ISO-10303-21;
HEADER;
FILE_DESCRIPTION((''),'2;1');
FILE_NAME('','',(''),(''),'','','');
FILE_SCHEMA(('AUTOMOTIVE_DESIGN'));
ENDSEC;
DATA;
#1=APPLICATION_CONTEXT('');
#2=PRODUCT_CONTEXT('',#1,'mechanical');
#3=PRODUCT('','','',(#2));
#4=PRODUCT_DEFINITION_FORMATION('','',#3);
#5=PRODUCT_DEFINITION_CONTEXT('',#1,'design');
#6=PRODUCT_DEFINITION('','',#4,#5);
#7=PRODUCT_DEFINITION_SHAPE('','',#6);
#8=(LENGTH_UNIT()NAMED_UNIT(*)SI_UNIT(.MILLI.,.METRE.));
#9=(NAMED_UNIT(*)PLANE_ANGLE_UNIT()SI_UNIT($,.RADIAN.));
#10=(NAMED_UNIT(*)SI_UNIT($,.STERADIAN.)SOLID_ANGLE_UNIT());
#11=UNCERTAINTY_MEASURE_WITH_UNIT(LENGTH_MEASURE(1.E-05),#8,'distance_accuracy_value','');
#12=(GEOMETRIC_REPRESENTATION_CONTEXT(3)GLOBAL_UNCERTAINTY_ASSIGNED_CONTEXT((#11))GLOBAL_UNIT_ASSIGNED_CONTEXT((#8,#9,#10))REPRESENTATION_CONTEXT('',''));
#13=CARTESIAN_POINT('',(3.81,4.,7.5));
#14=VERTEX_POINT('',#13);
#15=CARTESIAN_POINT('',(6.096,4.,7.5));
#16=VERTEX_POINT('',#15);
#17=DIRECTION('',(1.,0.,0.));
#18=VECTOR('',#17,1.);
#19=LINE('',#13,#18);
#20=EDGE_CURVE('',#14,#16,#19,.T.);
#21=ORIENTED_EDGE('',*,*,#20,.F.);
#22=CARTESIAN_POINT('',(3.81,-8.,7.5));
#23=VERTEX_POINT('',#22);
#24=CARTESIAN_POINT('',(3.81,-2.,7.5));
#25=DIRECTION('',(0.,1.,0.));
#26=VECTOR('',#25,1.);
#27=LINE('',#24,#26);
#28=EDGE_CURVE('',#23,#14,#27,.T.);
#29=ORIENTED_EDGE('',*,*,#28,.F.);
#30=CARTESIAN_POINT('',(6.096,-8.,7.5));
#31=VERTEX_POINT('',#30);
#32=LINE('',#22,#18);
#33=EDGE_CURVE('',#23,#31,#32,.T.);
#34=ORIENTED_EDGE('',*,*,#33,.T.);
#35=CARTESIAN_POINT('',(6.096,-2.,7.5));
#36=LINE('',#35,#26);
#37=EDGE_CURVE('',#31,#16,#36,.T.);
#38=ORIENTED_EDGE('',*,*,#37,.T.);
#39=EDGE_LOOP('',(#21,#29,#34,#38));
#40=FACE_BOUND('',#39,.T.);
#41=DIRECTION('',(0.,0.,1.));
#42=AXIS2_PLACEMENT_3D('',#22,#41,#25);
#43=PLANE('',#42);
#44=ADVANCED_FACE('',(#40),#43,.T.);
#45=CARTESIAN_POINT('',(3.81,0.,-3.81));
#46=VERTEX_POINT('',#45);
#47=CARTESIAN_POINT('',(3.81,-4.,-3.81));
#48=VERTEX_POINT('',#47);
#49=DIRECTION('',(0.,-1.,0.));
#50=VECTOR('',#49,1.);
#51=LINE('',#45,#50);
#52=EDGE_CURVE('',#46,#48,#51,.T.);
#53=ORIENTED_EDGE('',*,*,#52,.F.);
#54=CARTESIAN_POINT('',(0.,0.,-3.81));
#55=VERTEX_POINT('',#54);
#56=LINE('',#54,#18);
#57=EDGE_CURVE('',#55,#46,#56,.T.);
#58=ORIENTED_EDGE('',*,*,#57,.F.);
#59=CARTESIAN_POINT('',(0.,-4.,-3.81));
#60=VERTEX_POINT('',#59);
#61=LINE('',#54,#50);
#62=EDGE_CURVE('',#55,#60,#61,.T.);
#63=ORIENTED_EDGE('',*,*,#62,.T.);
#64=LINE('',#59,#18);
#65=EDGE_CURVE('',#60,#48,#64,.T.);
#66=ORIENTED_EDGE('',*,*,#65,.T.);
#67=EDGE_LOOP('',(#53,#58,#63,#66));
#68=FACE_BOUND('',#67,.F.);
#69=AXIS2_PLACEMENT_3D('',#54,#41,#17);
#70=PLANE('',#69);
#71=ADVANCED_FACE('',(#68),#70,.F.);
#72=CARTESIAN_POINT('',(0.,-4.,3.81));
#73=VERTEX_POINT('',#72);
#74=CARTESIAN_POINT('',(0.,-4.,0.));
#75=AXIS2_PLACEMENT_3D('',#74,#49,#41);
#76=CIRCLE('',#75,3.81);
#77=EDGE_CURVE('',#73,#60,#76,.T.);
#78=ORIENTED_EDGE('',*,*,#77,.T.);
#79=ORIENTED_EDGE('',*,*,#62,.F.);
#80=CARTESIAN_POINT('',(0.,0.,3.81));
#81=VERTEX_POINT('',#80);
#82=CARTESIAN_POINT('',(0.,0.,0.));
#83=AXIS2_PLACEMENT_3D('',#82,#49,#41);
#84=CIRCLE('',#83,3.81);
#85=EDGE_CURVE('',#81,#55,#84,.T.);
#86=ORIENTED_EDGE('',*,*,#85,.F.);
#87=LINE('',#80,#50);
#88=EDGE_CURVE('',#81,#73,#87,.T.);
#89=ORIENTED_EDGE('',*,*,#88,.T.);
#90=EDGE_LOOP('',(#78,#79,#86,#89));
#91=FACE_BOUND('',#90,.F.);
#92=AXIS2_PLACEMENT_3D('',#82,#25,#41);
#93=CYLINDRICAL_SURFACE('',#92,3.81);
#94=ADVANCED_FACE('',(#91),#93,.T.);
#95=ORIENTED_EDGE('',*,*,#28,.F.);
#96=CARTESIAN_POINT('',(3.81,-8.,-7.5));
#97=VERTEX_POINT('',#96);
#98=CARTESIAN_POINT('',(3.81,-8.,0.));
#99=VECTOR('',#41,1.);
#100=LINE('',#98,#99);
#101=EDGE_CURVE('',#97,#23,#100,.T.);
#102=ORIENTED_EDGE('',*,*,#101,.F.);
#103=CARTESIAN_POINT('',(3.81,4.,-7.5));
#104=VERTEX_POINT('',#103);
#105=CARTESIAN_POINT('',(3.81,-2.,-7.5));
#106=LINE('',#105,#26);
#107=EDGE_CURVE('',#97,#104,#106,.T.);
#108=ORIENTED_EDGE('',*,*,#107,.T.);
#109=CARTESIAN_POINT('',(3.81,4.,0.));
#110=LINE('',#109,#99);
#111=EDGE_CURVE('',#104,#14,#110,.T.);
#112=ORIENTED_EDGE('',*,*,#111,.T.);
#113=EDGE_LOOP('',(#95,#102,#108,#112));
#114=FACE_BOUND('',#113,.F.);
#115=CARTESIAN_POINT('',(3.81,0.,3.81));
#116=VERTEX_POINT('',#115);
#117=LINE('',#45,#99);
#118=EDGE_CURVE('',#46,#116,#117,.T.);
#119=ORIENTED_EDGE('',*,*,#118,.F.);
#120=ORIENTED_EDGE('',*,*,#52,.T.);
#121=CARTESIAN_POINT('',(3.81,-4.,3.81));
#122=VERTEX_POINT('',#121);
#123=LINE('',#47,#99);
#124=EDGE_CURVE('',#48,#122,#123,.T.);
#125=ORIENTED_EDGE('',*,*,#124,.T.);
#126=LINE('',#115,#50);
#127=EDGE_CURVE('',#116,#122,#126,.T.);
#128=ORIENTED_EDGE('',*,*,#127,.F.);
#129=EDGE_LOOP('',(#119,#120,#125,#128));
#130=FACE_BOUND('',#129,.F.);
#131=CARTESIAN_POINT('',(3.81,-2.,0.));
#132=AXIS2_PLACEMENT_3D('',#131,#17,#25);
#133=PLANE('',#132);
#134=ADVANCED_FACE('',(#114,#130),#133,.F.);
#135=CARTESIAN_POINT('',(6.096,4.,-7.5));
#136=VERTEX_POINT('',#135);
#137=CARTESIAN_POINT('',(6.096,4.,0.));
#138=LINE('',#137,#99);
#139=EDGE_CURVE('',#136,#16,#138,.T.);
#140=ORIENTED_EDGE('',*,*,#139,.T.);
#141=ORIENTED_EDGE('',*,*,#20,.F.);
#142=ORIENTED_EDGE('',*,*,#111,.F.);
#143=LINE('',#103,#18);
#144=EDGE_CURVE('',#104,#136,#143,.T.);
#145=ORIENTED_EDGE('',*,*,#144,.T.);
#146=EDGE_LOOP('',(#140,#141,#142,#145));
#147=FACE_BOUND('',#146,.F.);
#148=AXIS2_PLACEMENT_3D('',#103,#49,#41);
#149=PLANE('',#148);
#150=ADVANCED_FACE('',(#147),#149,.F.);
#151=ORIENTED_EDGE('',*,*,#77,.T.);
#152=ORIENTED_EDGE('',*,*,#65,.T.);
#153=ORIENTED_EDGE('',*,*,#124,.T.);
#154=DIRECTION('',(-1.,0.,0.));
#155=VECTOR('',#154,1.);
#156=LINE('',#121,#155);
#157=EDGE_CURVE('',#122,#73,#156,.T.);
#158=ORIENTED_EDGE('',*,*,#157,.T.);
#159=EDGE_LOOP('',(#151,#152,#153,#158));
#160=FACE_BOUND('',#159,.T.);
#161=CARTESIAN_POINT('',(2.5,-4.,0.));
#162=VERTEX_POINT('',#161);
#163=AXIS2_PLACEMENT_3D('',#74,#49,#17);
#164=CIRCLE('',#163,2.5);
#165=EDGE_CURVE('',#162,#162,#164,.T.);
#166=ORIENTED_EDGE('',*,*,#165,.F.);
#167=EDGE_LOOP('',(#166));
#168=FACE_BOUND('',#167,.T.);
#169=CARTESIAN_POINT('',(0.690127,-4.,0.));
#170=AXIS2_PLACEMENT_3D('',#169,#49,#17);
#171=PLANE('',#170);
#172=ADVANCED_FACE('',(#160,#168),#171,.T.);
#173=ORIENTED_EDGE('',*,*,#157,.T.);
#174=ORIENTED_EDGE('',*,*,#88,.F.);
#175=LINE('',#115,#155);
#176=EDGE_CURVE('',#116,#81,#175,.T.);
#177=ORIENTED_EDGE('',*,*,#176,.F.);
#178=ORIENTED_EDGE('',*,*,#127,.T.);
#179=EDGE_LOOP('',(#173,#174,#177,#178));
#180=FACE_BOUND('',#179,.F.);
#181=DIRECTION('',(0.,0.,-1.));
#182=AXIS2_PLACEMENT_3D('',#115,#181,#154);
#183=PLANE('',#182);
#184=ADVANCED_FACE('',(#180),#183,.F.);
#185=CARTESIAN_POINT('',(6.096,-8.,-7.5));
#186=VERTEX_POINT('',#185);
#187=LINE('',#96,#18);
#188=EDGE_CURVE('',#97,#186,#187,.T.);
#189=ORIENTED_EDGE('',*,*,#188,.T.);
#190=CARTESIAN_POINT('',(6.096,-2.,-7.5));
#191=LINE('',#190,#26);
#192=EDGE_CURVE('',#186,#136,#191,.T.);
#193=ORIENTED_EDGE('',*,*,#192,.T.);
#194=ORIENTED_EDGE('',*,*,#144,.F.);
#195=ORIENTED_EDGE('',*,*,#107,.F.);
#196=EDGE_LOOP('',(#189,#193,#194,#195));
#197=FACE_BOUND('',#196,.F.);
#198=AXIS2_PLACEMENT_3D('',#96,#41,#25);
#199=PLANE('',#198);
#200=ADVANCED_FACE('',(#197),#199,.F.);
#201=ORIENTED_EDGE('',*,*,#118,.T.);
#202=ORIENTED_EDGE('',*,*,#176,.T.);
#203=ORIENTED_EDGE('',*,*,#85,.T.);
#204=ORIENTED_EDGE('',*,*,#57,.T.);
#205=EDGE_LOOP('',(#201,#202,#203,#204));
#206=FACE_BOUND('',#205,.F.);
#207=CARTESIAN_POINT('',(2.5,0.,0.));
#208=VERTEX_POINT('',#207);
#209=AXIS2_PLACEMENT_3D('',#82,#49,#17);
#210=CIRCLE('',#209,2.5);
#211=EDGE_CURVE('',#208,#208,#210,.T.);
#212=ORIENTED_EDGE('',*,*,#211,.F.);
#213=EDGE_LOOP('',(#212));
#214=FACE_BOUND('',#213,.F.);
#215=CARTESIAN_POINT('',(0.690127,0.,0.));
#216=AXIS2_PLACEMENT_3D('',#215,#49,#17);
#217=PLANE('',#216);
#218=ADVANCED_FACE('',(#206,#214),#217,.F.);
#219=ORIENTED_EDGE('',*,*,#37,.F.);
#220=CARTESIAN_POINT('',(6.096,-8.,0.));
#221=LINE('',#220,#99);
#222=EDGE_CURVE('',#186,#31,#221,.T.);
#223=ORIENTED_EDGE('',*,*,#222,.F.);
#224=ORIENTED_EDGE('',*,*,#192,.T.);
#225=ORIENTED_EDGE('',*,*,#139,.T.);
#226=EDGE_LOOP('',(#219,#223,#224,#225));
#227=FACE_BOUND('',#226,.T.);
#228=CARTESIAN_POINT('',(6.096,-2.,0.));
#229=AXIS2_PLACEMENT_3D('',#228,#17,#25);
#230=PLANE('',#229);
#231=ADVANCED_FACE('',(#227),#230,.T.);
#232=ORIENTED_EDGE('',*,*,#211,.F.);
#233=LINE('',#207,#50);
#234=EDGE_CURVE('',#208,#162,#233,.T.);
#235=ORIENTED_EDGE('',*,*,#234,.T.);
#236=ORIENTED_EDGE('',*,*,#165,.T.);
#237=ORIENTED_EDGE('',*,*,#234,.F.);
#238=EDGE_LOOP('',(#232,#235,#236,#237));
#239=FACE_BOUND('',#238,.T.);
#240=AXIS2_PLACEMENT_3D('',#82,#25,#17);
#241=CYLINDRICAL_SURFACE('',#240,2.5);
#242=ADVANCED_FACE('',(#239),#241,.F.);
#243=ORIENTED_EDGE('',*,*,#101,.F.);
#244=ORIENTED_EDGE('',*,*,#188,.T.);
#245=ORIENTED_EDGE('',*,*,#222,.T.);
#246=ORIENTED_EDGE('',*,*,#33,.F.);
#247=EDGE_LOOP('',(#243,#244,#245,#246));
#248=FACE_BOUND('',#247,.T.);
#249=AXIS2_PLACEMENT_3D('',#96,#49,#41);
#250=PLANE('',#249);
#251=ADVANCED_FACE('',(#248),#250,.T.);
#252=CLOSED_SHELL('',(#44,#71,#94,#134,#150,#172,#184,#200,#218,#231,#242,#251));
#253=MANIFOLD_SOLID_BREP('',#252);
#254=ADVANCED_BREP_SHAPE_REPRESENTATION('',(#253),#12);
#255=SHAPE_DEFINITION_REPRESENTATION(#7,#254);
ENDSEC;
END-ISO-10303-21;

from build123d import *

# Parameters (mm, degrees)
F0_R     = 2.5
F1_DEPTH = 4
F2_W     = 12
F2_H     = 15
F3_DEPTH = 2.286


with BuildPart() as f1:
    # F0 (on Front) → F1 (new body)
    with BuildSketch(Plane.XZ):
        with BuildLine():
            Line((3.81, 3.81), (0, 3.81))
            ThreePointArc((0, 3.81), (-3.81, 0), (0, -3.81))
            Line((0, -3.81), (3.81, -3.81))
            Line((3.81, -3.81), (3.81, 3.81))
        make_face()
        Circle(F0_R, mode=Mode.SUBTRACT)
    extrude(amount=F1_DEPTH)

    # F2 (on face) → F3 (join)
    with BuildSketch(Plane.YZ.offset(3.81)):
        with Locations((-2, 0)):
            Rectangle(F2_W, F2_H)
    extrude(amount=F3_DEPTH)


solid = f1.part
